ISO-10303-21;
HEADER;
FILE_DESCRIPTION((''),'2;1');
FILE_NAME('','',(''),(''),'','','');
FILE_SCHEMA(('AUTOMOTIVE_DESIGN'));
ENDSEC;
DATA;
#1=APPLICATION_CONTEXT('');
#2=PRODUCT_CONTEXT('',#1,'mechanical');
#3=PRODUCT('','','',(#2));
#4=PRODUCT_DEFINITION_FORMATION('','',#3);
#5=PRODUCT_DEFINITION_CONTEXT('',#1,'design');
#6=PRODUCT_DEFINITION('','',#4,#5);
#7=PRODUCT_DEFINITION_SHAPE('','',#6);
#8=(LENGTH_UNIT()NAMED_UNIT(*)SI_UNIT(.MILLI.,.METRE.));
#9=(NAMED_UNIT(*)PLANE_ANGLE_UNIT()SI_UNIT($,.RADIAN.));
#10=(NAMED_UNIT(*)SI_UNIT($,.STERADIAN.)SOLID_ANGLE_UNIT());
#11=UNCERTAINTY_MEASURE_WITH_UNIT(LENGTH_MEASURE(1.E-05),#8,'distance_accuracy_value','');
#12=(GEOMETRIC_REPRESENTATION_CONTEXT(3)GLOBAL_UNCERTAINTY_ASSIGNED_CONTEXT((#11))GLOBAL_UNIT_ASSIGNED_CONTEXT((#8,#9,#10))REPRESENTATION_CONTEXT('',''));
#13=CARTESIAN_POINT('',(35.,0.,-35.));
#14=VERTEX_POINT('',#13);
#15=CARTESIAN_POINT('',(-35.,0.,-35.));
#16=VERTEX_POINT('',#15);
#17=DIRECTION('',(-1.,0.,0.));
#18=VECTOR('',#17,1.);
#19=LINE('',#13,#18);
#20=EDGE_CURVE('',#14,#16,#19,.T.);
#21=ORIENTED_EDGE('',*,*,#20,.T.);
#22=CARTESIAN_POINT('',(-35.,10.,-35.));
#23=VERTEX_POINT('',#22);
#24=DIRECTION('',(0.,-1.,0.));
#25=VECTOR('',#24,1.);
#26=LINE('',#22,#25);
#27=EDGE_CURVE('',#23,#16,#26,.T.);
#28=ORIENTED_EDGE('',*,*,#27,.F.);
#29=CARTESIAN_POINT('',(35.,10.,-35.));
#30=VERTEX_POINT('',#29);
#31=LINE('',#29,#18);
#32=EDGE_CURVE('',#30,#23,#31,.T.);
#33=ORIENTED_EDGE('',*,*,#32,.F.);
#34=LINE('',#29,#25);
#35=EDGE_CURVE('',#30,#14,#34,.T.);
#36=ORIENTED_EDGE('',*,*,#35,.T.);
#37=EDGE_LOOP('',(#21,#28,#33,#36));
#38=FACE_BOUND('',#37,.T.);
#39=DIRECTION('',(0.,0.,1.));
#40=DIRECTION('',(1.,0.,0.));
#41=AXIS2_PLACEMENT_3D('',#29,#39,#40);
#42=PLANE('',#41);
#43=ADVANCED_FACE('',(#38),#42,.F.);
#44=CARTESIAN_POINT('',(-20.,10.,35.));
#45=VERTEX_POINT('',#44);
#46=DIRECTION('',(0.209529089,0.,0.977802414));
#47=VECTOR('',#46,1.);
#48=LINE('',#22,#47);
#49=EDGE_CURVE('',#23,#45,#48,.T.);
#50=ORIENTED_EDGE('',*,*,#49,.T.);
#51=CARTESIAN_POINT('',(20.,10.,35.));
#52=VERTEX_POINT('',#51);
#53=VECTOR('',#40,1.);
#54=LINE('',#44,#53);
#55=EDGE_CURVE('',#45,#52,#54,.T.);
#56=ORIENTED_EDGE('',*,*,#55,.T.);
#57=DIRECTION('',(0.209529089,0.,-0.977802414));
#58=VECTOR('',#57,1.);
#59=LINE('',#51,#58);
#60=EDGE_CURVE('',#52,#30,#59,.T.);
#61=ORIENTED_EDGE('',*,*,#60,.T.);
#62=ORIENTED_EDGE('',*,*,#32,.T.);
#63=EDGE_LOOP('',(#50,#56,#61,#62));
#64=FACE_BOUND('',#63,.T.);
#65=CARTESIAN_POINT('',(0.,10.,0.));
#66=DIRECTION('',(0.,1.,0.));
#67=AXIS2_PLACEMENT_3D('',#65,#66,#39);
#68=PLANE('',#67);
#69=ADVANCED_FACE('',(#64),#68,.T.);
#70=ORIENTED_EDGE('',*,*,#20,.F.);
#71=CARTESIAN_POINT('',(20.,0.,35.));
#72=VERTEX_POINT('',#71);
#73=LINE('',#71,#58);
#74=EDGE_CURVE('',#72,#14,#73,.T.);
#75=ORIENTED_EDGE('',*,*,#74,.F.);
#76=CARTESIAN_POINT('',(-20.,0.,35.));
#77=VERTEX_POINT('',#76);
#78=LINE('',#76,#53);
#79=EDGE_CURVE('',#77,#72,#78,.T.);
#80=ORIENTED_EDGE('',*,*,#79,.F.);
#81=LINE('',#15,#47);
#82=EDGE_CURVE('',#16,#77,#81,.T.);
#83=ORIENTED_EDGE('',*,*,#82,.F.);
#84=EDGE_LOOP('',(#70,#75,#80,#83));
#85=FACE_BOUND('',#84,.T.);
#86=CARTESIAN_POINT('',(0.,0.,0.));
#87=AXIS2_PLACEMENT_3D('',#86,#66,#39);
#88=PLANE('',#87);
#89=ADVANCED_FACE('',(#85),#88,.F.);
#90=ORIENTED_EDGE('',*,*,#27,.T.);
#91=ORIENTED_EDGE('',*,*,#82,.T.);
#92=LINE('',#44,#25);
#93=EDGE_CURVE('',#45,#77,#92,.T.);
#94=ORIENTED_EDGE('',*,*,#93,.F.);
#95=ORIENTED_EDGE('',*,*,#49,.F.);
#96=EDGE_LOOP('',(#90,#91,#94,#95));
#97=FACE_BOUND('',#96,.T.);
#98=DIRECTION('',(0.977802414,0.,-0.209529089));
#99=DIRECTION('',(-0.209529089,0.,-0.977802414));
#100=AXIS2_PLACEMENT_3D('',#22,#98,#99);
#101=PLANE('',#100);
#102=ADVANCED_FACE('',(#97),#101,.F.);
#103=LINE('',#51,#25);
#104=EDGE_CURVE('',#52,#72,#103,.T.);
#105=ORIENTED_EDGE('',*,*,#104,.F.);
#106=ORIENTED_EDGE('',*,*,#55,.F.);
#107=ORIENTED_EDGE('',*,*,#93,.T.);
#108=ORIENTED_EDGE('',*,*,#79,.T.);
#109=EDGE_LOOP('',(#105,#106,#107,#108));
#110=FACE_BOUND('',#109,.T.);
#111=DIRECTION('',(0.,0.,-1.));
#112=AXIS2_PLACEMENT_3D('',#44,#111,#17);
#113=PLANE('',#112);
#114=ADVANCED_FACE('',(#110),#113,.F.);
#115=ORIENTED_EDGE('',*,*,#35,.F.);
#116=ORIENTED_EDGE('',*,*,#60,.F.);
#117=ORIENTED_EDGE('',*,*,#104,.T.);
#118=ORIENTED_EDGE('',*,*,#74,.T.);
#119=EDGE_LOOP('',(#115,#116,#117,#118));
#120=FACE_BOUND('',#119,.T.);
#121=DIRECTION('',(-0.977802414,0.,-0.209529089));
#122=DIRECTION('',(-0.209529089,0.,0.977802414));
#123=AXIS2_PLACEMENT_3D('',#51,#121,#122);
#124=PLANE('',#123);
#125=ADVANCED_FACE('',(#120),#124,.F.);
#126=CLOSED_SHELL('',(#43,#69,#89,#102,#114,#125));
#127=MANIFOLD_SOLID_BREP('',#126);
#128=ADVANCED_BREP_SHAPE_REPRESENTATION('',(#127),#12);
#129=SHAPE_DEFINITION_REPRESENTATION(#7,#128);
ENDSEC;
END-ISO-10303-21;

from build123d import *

# Parameters (mm, degrees)
BOSS_EXTRUDE1_DEPTH = 10


with BuildPart() as part:
    # Sketch1 → Boss-Extrude1 (new body)
    with BuildSketch(Plane(origin=(0, 0, 0), x_dir=(1, 0, 0), z_dir=(0, 1, 0))):
        Polygon((-35, 35), (-20, -35), (20, -35), (35, 35), align=None)
    extrude(amount=BOSS_EXTRUDE1_DEPTH)


solid = part.part
